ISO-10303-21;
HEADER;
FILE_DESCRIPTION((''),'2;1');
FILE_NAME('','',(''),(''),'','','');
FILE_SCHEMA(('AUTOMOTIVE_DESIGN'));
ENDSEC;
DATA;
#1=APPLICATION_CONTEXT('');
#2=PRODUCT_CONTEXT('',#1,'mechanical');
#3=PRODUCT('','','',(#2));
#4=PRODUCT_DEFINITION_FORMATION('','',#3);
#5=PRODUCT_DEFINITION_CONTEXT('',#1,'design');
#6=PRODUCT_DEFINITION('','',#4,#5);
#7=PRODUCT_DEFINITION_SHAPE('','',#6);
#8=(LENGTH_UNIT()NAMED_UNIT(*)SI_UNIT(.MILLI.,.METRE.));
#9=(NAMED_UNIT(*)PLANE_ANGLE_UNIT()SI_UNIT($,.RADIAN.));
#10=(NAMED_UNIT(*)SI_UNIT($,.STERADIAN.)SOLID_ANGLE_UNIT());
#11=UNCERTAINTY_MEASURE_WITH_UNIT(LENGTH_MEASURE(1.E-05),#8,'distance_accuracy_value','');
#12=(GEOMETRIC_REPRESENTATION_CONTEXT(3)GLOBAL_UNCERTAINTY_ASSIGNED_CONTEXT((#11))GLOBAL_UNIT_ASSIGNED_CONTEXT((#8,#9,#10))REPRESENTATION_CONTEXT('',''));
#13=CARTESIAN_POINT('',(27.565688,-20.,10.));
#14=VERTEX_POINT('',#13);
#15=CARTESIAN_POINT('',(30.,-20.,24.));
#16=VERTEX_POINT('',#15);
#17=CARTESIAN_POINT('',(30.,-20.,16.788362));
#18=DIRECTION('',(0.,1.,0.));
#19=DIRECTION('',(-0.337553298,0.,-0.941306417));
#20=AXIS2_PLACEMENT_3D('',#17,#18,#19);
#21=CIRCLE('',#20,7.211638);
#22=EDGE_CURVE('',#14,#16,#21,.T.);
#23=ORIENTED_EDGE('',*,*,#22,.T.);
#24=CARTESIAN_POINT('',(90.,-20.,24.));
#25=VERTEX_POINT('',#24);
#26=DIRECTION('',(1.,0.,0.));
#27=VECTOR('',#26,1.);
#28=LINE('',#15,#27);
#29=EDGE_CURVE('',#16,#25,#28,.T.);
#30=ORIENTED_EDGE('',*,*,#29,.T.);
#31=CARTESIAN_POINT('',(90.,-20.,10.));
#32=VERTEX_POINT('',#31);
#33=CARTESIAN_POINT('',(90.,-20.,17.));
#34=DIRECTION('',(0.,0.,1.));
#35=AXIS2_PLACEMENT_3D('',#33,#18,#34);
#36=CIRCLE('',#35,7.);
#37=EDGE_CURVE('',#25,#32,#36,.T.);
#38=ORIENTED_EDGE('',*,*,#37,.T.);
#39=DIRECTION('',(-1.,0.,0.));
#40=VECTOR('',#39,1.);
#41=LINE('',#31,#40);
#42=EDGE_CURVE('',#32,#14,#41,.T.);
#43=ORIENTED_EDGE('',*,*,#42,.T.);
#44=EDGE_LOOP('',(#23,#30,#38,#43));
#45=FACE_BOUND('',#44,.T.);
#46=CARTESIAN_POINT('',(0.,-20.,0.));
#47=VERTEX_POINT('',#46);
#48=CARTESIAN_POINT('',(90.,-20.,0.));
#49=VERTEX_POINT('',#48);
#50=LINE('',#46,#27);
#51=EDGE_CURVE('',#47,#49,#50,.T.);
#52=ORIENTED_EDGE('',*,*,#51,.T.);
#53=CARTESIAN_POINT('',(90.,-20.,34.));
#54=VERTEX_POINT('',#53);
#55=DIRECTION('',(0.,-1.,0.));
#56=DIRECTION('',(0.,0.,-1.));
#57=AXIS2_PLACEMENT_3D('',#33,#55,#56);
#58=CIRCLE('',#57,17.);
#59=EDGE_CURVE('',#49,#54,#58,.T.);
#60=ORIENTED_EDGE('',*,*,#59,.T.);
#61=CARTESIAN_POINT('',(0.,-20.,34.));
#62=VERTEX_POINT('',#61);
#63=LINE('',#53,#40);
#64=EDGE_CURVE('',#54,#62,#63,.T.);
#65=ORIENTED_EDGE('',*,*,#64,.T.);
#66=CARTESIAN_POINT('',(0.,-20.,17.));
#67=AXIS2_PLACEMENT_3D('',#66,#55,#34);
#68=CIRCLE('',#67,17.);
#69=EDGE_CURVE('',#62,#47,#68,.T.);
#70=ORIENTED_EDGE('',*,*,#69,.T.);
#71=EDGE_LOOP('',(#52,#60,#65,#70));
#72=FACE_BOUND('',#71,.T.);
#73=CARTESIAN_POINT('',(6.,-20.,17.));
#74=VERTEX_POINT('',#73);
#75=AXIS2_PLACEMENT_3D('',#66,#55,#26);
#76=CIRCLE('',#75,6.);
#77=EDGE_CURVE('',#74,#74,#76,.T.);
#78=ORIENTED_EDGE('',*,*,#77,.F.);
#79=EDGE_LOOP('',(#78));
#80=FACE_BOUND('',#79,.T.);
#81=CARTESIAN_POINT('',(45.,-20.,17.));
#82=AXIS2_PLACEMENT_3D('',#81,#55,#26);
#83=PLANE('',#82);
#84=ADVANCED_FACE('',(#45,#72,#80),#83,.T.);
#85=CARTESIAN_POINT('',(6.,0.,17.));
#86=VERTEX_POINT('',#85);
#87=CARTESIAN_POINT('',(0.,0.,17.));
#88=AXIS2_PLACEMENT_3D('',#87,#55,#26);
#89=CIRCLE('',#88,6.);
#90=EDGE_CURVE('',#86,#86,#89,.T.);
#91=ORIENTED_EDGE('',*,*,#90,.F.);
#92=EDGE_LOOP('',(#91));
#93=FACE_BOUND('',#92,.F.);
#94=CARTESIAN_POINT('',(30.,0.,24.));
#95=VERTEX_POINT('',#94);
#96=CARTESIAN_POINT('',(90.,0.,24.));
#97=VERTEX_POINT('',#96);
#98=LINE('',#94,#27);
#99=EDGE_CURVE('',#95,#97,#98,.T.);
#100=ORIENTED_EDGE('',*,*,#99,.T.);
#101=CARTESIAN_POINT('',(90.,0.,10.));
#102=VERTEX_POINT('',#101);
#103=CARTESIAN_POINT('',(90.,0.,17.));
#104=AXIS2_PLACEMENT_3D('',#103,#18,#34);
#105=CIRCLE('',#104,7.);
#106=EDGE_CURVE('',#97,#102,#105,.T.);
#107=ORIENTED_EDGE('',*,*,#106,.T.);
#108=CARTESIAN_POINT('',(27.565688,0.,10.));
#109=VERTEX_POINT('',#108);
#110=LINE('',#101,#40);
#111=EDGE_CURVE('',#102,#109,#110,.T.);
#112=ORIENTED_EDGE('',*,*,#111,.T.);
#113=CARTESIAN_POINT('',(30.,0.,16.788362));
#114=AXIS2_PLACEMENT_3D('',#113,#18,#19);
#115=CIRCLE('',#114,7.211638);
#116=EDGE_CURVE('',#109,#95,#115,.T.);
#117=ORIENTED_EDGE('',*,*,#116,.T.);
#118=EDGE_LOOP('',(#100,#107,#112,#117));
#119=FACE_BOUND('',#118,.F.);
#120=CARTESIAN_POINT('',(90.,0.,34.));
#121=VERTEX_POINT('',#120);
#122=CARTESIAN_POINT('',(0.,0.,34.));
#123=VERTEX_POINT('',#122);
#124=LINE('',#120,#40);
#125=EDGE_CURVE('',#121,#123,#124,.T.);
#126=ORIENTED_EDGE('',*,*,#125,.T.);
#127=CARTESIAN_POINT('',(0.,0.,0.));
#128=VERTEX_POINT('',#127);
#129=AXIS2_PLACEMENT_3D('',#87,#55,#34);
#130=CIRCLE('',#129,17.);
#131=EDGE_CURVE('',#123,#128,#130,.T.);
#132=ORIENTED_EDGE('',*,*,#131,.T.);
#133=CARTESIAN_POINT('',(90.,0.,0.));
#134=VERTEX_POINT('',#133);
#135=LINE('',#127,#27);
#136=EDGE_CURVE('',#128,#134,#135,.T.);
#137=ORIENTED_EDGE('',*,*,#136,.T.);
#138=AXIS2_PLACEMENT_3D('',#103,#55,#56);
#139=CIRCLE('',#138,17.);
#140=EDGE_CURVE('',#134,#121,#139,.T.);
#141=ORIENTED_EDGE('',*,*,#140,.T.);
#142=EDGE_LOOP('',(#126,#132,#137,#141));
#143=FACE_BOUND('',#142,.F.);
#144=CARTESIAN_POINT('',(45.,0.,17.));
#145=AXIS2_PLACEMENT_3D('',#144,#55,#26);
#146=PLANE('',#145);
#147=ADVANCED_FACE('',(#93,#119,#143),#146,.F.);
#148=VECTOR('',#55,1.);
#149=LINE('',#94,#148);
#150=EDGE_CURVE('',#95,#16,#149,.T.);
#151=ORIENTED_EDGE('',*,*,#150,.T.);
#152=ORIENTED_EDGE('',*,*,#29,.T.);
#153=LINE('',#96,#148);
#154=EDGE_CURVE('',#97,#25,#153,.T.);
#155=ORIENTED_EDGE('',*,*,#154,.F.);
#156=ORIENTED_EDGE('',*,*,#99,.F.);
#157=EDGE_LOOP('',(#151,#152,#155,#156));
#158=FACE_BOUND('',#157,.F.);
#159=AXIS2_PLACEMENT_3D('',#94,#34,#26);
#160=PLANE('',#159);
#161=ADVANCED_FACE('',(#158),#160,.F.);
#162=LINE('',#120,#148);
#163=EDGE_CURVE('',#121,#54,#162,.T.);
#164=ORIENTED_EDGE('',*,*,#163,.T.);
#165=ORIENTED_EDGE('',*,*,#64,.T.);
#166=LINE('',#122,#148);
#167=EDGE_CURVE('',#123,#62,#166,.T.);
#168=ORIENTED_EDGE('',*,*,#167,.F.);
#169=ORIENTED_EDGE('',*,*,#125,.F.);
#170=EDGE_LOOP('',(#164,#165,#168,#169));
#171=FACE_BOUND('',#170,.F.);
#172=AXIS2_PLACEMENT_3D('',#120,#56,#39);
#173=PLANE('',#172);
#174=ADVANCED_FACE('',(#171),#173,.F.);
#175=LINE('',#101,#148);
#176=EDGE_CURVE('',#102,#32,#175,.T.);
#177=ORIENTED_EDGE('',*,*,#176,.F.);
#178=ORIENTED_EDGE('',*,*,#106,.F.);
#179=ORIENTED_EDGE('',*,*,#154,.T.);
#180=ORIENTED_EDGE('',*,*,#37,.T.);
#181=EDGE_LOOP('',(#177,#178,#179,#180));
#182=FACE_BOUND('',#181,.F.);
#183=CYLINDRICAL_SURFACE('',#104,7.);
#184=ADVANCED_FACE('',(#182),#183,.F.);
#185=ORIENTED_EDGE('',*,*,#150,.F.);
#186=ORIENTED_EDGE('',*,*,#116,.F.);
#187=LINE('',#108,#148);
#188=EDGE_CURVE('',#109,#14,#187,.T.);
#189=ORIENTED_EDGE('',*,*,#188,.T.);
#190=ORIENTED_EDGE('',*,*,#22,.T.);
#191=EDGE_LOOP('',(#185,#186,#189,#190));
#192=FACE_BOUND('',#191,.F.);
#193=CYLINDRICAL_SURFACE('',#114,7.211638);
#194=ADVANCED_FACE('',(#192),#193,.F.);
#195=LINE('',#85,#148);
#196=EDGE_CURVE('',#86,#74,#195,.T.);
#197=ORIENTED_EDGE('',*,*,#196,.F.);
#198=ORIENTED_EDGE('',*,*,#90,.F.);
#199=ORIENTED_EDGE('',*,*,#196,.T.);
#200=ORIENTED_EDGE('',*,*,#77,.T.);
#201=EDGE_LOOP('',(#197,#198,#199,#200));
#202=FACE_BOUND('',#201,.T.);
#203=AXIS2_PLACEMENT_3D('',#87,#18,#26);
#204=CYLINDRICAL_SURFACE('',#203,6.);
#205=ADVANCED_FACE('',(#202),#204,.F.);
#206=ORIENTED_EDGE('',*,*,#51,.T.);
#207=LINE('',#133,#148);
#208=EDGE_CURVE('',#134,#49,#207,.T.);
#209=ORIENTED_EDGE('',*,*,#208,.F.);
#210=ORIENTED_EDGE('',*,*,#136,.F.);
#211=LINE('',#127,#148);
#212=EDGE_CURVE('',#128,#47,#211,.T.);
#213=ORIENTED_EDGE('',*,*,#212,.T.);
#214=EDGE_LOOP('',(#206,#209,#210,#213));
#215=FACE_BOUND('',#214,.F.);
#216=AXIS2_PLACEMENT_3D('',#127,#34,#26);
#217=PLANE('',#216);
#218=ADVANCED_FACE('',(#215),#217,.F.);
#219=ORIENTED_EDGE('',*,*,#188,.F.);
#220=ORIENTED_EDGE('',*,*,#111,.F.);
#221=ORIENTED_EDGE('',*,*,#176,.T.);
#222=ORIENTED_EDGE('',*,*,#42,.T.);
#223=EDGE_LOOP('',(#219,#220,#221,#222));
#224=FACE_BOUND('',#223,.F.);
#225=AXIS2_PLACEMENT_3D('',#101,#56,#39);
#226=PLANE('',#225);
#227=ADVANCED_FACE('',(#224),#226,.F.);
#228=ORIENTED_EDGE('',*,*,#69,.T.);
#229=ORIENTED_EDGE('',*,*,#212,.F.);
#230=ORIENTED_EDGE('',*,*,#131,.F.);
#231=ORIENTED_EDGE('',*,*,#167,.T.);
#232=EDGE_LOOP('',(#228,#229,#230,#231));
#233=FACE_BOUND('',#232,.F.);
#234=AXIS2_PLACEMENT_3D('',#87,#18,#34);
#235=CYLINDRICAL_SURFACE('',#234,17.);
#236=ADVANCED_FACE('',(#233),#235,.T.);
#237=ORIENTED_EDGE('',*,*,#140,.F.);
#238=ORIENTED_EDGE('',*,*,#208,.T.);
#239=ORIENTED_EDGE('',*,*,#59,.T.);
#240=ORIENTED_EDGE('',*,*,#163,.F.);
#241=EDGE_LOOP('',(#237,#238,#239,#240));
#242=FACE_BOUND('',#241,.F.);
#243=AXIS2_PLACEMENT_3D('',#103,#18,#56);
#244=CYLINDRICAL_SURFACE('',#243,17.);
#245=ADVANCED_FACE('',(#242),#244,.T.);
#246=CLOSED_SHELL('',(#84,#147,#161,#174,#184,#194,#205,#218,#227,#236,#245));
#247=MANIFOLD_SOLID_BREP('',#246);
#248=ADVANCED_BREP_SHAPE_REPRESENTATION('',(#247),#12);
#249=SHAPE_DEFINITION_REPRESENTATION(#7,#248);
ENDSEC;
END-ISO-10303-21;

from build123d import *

# Parameters (mm, degrees)
F0_R     = 6
F1_DEPTH = 20


with BuildPart() as f1:
    # F0 (on Front) → F1 (new body)
    with BuildSketch(Plane.XZ):
        with BuildLine():
            Line((90, 34), (0, 34))
            ThreePointArc((0, 34), (-17, 17), (0, 0))
            Line((0, 0), (90, 0))
            ThreePointArc((90, 0), (107, 17), (90, 34))
        make_face()
        with Locations((0, 17)):
            Circle(F0_R, mode=Mode.SUBTRACT)
        with BuildLine():
            ThreePointArc((27.565688, 10), (22.894969, 18.02378), (30, 24))
            Line((30, 24), (90, 24))
            ThreePointArc((90, 24), (97, 17), (90, 10))
            Line((90, 10), (27.565688, 10))
        make_face(mode=Mode.SUBTRACT)
    extrude(amount=F1_DEPTH)


solid = f1.part
